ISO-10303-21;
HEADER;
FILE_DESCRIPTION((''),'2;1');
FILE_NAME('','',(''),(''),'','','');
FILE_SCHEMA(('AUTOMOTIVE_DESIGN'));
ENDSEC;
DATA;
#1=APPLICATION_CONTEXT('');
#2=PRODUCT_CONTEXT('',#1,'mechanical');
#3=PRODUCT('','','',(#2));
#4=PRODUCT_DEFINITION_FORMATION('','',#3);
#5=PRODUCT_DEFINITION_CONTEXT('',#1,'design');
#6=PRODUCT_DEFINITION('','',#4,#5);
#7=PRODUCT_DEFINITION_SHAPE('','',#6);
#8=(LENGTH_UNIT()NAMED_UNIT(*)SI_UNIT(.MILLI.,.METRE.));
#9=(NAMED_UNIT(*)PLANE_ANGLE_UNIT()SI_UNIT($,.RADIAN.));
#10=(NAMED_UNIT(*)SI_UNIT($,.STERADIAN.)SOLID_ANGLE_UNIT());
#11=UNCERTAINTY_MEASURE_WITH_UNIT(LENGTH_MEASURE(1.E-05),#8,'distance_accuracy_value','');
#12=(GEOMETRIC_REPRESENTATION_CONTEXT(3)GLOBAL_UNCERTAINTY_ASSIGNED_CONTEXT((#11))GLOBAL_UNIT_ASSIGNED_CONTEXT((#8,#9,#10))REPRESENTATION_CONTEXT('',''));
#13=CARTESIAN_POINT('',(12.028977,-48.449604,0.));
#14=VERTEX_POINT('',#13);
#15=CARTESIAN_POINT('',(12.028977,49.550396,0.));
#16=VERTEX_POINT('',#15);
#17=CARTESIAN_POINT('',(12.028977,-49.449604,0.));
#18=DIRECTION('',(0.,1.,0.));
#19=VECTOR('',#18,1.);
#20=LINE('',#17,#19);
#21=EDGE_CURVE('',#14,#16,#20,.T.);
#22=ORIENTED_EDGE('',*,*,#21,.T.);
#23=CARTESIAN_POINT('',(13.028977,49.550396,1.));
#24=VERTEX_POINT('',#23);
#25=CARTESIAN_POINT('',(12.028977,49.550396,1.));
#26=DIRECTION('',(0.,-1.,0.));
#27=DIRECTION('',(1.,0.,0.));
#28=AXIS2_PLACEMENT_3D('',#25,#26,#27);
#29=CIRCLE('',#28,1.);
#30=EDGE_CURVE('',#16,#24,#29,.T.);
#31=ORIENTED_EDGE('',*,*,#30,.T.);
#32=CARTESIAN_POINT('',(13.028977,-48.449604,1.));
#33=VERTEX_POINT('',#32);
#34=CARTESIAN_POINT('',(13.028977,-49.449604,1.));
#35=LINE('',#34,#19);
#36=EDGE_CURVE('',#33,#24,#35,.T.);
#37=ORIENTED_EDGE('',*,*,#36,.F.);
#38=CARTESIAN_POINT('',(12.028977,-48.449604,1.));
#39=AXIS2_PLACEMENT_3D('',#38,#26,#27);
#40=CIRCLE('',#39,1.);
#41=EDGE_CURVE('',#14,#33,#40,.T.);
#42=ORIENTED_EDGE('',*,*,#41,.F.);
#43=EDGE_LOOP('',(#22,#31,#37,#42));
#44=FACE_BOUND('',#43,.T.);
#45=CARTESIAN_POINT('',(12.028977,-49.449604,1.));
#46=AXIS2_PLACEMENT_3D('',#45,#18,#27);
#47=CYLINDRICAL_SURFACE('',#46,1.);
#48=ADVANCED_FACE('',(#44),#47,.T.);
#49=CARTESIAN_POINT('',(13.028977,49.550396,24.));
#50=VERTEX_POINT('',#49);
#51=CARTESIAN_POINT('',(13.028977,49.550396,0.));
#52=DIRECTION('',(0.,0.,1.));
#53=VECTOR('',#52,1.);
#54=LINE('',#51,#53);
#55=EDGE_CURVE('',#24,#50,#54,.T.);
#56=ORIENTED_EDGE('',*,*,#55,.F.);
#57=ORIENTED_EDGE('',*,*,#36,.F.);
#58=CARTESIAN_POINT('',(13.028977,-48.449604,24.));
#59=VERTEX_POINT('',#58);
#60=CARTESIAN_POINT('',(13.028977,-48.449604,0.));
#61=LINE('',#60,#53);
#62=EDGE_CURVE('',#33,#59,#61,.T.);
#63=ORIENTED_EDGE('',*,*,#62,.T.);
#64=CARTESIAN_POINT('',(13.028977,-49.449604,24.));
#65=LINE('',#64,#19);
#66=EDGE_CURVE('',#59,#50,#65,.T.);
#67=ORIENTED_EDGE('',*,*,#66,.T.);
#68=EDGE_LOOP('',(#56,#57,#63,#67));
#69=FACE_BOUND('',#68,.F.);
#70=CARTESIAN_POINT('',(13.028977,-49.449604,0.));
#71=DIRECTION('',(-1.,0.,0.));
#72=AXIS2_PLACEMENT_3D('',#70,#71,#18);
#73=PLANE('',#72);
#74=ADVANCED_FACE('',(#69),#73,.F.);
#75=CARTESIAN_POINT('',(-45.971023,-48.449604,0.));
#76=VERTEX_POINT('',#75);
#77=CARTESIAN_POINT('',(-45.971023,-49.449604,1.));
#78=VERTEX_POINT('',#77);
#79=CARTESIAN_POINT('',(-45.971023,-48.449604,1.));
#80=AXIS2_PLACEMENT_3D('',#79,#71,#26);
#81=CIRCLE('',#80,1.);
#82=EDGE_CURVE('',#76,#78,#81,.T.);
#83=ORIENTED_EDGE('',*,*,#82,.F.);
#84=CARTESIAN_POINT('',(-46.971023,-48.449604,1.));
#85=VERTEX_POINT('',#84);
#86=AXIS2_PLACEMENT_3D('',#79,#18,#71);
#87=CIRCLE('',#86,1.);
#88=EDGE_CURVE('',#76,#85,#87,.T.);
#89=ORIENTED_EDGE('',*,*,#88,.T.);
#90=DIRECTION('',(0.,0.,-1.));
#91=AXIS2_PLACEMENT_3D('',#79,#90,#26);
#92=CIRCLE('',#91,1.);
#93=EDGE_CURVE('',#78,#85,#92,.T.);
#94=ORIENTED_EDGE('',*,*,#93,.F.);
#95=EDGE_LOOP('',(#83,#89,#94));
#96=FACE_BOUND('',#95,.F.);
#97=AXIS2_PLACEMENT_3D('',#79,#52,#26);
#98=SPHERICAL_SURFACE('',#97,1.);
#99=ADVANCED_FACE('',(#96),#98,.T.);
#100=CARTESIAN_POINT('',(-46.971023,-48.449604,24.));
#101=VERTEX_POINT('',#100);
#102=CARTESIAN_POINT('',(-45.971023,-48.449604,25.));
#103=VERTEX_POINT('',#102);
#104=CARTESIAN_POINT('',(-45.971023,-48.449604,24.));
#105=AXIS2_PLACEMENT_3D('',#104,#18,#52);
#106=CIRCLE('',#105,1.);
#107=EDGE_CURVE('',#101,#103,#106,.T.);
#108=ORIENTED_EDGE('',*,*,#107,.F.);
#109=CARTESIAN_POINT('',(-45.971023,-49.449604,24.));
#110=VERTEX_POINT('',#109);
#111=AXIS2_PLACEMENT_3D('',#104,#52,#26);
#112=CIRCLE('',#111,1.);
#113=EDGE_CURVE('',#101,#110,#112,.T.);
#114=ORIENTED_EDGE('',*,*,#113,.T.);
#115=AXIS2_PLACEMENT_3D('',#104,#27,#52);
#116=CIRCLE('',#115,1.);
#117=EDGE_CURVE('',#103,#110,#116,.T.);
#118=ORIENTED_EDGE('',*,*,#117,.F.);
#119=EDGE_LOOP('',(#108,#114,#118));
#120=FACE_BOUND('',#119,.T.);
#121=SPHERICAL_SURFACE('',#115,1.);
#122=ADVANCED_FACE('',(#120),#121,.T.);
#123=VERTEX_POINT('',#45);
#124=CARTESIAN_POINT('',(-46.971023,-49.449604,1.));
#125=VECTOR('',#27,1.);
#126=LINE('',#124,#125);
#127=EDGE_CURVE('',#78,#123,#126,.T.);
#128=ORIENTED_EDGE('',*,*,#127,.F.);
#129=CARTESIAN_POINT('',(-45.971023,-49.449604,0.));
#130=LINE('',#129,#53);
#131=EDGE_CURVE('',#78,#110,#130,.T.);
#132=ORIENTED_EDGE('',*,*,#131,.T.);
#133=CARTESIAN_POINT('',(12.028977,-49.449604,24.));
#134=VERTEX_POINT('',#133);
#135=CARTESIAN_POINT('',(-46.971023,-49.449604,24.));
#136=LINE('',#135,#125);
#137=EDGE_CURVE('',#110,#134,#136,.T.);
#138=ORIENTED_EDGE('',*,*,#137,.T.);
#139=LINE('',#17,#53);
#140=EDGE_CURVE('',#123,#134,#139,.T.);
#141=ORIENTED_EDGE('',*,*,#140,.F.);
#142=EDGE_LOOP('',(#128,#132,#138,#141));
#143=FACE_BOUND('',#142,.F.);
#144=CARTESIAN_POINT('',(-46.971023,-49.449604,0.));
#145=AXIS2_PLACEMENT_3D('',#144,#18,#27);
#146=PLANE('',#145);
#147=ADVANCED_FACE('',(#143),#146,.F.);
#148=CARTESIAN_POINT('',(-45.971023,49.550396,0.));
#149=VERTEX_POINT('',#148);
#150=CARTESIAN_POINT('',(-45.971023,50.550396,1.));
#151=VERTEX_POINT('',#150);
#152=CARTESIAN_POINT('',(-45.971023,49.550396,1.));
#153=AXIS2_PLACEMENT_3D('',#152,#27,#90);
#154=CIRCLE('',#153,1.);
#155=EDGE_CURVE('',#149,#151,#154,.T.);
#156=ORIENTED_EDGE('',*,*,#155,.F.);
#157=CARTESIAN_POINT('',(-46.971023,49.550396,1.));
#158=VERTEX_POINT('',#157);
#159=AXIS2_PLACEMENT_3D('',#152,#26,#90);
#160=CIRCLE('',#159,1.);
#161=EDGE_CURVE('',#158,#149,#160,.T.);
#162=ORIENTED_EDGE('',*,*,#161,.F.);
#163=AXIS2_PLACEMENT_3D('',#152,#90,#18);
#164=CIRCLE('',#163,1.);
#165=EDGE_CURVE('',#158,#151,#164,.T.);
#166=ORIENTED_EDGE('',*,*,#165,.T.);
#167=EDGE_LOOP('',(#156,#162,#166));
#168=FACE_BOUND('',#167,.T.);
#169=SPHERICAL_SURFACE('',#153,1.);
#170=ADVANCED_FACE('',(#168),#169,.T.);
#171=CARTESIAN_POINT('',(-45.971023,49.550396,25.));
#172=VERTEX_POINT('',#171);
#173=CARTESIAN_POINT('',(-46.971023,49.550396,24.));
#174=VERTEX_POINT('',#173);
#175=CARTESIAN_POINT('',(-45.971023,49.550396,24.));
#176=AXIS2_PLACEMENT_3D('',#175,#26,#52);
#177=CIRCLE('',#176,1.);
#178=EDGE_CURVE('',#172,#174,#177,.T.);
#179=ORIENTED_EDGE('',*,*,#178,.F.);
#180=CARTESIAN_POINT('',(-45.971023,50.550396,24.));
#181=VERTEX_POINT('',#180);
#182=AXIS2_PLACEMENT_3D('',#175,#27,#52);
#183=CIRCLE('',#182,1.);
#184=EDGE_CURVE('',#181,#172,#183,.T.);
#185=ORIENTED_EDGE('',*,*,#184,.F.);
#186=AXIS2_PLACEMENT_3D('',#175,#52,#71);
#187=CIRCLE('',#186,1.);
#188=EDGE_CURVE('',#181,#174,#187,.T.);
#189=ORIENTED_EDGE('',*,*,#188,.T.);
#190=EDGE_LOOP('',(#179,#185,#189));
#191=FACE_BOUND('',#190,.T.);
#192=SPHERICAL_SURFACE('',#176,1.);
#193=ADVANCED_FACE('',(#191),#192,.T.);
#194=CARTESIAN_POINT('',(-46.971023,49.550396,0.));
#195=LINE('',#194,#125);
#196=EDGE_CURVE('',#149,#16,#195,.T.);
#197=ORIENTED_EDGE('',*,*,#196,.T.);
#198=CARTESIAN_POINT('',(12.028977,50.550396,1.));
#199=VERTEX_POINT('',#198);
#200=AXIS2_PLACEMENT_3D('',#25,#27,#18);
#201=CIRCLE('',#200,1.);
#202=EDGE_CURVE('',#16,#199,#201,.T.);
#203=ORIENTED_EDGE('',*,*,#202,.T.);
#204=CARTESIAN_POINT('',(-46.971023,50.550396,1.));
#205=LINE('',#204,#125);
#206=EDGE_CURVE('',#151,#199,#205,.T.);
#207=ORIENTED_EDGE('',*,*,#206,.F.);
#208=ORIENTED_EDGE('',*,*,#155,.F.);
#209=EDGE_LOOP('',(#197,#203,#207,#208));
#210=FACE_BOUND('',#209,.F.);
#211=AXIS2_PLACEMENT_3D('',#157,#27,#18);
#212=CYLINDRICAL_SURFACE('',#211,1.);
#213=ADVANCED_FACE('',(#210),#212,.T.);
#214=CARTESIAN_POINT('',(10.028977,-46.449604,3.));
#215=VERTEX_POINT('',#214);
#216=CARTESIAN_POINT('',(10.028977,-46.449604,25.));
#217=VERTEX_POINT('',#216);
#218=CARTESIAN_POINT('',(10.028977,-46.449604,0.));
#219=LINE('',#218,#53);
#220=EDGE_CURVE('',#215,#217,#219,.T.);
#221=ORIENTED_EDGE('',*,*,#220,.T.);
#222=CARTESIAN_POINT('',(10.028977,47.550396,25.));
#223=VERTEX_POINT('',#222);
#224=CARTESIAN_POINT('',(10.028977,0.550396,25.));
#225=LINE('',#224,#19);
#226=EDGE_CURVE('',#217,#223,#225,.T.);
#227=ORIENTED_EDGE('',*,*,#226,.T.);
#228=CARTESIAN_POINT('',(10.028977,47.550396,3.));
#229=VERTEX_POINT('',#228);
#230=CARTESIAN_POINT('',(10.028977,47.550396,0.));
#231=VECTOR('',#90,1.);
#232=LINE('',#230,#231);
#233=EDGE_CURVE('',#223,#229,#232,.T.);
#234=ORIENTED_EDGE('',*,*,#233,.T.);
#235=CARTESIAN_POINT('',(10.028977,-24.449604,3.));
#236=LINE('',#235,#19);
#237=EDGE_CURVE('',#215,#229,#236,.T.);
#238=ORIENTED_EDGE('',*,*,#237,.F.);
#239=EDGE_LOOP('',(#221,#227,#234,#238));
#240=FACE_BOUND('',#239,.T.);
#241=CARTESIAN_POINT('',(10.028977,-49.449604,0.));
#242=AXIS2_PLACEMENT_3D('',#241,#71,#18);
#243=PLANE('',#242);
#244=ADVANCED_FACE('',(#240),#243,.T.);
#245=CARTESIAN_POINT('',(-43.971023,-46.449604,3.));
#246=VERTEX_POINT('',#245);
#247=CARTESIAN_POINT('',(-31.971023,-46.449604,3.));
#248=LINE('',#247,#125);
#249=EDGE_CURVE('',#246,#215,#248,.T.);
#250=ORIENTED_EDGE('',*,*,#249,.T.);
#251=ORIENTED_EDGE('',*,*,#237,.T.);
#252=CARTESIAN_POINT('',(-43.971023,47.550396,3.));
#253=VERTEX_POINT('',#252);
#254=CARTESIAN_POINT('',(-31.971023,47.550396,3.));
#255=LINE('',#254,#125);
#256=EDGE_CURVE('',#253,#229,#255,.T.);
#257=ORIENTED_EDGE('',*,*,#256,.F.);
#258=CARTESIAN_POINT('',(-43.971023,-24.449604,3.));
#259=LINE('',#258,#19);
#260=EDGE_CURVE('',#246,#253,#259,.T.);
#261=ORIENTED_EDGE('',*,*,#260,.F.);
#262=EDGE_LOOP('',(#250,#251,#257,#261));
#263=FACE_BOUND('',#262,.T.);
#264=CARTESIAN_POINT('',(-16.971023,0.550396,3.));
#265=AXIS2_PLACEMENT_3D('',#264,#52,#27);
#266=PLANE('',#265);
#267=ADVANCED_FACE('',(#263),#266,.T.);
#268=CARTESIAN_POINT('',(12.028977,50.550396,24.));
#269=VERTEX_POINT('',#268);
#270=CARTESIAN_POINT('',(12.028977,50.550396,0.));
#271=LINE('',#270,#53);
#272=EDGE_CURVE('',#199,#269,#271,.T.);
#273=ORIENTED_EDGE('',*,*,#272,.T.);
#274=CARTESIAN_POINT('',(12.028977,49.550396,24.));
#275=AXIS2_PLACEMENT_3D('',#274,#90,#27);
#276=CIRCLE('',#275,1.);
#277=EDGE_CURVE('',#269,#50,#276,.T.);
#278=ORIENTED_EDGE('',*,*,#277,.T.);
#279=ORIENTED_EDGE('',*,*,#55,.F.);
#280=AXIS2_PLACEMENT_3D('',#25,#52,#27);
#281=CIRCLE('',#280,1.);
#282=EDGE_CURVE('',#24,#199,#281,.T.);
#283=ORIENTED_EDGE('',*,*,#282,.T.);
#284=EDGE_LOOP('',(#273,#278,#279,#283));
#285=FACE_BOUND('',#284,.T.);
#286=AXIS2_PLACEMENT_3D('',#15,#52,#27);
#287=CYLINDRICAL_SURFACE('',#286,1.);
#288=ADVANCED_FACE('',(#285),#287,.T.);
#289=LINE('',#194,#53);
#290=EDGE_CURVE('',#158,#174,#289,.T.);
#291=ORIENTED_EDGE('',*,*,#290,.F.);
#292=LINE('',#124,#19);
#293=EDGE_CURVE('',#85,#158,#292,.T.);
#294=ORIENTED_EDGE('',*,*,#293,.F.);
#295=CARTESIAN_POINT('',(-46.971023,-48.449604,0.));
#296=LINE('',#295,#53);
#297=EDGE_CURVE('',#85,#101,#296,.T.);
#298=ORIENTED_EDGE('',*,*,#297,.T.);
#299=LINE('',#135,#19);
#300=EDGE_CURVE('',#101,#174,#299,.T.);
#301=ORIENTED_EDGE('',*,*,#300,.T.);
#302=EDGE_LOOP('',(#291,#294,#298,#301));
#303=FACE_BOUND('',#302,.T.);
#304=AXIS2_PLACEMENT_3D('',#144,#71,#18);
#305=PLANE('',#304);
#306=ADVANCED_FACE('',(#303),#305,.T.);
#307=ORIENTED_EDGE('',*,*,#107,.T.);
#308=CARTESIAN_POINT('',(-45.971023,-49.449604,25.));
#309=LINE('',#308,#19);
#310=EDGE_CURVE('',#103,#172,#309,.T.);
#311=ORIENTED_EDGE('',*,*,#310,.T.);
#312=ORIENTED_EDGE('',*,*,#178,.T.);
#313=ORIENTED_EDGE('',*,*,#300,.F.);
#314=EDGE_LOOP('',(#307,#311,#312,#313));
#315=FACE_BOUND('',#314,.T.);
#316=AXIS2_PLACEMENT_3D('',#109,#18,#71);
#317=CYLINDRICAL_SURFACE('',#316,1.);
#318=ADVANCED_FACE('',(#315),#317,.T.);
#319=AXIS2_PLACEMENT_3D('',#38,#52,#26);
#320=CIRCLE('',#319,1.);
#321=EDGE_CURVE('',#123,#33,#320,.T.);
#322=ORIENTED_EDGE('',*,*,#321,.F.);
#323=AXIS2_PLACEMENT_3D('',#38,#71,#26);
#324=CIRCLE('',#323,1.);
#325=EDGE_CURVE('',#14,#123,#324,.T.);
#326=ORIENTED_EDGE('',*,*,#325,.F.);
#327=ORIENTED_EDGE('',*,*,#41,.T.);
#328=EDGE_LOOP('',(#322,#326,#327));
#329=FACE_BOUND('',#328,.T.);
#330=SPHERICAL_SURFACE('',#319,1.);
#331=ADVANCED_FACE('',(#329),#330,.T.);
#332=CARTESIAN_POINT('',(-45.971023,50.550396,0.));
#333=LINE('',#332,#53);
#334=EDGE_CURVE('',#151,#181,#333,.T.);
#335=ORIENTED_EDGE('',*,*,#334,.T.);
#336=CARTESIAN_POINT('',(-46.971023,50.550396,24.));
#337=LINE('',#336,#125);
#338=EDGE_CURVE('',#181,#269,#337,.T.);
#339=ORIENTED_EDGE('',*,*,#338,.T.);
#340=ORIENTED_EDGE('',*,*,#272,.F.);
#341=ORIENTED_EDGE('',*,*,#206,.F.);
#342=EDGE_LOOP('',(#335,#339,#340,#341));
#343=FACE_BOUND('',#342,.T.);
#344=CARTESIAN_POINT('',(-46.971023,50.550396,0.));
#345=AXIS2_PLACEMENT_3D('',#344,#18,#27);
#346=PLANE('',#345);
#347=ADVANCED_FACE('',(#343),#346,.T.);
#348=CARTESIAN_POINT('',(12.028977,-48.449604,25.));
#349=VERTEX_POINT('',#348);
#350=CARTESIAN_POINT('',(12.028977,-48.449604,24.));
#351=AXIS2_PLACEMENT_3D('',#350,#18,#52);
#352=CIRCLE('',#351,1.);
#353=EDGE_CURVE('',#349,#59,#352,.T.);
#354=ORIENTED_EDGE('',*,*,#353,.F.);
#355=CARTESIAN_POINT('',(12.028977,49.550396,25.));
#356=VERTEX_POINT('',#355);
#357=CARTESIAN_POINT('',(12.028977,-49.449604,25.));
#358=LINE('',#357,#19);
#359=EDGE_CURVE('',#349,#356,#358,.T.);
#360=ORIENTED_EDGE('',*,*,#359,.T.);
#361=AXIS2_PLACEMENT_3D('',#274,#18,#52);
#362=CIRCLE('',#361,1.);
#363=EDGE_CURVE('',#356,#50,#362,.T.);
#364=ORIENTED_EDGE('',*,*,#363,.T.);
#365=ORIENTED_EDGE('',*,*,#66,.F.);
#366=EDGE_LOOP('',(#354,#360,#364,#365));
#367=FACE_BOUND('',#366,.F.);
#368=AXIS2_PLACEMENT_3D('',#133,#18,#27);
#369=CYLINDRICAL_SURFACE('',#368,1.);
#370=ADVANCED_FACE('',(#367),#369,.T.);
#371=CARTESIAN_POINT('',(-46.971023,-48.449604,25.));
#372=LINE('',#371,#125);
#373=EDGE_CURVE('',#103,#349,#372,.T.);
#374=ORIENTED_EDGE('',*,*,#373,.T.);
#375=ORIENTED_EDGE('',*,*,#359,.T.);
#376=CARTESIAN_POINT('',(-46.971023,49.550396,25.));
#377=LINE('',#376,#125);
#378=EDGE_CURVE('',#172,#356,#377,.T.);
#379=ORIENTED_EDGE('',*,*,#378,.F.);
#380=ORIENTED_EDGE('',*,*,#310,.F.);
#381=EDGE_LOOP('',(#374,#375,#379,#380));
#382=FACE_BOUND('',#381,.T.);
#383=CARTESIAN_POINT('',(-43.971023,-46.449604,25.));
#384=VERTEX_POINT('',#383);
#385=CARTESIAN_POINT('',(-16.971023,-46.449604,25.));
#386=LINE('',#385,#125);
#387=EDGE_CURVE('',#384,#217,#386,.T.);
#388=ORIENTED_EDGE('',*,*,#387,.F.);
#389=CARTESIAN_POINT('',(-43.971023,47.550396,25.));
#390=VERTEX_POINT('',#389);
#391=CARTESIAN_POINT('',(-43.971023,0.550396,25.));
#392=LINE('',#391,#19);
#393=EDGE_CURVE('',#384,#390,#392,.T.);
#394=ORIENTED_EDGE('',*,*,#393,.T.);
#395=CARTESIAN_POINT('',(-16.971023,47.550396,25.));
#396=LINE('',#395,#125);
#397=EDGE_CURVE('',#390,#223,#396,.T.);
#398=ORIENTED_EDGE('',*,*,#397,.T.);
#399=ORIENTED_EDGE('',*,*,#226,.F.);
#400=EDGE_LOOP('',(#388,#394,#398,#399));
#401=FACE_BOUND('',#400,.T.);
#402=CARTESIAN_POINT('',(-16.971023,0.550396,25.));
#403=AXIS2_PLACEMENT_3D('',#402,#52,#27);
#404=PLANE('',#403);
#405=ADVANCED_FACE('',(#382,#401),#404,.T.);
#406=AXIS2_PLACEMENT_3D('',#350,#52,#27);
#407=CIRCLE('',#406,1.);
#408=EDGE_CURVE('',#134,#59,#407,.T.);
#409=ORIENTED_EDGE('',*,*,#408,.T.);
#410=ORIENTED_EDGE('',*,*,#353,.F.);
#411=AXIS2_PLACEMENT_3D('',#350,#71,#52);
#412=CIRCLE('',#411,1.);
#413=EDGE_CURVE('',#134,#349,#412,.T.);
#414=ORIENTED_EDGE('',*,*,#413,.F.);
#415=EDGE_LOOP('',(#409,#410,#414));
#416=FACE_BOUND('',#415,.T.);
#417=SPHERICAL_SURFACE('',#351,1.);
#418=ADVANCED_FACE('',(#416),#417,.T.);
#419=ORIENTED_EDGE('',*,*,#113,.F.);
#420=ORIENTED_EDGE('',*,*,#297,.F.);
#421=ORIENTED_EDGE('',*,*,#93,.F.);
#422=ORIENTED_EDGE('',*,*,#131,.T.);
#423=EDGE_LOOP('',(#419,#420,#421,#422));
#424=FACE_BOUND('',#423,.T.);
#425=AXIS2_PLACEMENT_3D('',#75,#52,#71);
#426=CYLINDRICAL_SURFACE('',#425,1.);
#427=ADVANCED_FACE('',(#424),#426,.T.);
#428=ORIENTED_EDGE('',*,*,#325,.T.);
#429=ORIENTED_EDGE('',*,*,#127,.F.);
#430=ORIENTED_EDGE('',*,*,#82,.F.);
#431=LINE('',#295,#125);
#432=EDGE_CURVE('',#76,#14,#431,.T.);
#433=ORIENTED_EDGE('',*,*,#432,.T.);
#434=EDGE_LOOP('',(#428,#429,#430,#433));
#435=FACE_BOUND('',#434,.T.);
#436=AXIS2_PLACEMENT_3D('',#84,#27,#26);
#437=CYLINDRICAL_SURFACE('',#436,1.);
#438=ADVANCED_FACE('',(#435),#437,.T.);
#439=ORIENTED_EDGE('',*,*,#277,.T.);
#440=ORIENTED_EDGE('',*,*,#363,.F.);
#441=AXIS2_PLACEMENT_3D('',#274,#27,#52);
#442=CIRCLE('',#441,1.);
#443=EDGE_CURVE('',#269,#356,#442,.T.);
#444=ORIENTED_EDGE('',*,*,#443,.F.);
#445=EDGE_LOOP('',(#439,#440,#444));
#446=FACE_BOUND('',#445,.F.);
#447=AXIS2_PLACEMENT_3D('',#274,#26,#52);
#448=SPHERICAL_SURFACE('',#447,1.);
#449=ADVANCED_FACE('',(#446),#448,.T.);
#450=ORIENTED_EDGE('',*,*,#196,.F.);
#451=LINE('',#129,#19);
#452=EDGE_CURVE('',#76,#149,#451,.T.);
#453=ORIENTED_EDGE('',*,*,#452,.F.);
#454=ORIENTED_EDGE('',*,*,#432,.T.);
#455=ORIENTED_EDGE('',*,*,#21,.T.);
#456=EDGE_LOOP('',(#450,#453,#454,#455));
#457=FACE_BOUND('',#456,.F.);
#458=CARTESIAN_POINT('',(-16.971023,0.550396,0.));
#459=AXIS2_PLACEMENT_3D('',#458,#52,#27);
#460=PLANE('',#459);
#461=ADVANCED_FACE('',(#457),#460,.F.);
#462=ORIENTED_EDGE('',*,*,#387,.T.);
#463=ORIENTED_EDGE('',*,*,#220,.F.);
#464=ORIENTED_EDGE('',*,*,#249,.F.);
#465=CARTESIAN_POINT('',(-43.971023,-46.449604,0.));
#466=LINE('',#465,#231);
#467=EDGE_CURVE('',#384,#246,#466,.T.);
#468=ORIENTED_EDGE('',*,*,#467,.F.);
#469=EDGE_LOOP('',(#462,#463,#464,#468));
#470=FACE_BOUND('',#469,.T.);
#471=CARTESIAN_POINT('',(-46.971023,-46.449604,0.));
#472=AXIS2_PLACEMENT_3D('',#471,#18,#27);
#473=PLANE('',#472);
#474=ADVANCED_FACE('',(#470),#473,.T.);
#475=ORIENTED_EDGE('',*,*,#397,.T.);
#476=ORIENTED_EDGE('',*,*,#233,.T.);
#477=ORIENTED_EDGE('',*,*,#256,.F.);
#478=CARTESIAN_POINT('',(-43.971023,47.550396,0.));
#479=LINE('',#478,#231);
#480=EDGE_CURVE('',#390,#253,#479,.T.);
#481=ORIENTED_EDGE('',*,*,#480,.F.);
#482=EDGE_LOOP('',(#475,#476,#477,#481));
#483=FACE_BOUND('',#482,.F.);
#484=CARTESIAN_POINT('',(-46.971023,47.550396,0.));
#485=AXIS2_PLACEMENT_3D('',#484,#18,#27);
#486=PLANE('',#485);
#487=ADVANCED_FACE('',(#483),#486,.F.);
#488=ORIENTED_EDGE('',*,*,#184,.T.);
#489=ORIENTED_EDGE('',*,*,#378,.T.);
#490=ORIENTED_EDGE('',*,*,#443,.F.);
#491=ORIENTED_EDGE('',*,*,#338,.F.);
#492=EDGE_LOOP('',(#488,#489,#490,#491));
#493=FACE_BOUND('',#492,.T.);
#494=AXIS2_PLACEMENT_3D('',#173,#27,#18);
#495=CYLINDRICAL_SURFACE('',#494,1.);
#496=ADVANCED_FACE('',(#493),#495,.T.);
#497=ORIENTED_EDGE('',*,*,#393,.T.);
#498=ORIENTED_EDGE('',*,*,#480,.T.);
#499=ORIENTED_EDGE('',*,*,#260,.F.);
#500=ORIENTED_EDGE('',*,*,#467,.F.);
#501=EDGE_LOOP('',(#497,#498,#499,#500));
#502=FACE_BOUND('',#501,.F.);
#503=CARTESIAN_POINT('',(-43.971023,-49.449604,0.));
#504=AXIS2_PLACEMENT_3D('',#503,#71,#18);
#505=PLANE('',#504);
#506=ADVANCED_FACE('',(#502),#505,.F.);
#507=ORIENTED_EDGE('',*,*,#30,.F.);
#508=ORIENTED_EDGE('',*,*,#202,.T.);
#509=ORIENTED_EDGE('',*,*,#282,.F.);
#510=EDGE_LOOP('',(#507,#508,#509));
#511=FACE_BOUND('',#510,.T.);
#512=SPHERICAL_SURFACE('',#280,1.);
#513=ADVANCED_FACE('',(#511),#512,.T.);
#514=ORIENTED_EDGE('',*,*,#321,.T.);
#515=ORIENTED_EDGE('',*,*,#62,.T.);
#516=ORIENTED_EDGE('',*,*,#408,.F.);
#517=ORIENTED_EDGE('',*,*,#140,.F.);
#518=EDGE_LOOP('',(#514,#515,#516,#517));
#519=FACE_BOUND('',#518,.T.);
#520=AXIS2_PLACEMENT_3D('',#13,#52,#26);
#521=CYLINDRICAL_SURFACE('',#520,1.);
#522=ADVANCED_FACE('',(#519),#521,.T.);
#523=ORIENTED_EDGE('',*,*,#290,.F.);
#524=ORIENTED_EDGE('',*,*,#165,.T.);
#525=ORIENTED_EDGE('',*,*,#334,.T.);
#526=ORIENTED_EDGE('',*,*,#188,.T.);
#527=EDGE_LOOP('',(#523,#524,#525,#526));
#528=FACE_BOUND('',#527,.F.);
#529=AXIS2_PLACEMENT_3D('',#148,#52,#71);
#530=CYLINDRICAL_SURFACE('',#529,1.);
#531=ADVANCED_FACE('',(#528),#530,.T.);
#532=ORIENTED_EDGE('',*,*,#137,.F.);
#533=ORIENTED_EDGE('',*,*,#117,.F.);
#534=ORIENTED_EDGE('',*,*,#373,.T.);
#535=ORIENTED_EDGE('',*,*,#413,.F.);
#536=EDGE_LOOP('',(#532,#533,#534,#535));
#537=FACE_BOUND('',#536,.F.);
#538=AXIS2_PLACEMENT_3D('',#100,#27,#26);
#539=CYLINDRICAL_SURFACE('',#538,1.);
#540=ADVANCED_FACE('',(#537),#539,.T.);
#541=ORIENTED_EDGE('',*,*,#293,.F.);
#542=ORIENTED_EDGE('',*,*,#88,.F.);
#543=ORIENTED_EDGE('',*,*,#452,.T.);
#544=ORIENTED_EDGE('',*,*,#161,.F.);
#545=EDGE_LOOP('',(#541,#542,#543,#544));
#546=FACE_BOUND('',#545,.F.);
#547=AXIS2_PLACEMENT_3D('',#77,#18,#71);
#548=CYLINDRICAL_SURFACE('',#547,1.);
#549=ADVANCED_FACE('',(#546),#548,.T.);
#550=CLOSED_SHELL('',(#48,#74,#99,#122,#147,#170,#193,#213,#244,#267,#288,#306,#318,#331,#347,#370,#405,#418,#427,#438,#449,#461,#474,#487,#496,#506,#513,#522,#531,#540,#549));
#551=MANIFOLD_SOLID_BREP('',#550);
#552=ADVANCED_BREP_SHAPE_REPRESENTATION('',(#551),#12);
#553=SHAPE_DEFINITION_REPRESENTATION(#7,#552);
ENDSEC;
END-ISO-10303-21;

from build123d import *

# Parameters (mm, degrees)
F0_W     = 60
F0_H     = 100
F1_DEPTH = 25
F2_T     = -3
F3_R     = 1


with BuildPart() as f1:
    # F0 (on Top) → F1 (new body)
    with BuildSketch(Plane.XY):
        with Locations((-16.971023, 0.550396)):
            Rectangle(F0_W, F0_H)
    extrude(amount=F1_DEPTH)

    # F2
    f2_openings = [f1.faces().sort_by_distance(p)[0] for p in [
        (-16.971023, 0.550396, 25),
    ]]
    offset(amount=F2_T, openings=f2_openings)

    # F3
    f3_edges = [f1.edges().sort_by_distance(p)[0] for p in [
        (13.028977, 0.550396, 25),
        (-16.971023, -49.449604, 25),
        (-46.971023, 0.550396, 25),
        (-16.971023, 50.550396, 25),
        (13.028977, 50.550396, 12.5),
        (13.028977, -49.449604, 12.5),
        (-46.971023, -49.449604, 12.5),
        (-16.971023, -49.449604, 0),
        (13.028977, 0.550396, 0),
        (-16.971023, 50.550396, 0),
        (-46.971023, 0.550396, 0),
        (-46.971023, 50.550396, 12.5),
    ]]
    fillet(f3_edges, radius=F3_R)


solid = f1.part
